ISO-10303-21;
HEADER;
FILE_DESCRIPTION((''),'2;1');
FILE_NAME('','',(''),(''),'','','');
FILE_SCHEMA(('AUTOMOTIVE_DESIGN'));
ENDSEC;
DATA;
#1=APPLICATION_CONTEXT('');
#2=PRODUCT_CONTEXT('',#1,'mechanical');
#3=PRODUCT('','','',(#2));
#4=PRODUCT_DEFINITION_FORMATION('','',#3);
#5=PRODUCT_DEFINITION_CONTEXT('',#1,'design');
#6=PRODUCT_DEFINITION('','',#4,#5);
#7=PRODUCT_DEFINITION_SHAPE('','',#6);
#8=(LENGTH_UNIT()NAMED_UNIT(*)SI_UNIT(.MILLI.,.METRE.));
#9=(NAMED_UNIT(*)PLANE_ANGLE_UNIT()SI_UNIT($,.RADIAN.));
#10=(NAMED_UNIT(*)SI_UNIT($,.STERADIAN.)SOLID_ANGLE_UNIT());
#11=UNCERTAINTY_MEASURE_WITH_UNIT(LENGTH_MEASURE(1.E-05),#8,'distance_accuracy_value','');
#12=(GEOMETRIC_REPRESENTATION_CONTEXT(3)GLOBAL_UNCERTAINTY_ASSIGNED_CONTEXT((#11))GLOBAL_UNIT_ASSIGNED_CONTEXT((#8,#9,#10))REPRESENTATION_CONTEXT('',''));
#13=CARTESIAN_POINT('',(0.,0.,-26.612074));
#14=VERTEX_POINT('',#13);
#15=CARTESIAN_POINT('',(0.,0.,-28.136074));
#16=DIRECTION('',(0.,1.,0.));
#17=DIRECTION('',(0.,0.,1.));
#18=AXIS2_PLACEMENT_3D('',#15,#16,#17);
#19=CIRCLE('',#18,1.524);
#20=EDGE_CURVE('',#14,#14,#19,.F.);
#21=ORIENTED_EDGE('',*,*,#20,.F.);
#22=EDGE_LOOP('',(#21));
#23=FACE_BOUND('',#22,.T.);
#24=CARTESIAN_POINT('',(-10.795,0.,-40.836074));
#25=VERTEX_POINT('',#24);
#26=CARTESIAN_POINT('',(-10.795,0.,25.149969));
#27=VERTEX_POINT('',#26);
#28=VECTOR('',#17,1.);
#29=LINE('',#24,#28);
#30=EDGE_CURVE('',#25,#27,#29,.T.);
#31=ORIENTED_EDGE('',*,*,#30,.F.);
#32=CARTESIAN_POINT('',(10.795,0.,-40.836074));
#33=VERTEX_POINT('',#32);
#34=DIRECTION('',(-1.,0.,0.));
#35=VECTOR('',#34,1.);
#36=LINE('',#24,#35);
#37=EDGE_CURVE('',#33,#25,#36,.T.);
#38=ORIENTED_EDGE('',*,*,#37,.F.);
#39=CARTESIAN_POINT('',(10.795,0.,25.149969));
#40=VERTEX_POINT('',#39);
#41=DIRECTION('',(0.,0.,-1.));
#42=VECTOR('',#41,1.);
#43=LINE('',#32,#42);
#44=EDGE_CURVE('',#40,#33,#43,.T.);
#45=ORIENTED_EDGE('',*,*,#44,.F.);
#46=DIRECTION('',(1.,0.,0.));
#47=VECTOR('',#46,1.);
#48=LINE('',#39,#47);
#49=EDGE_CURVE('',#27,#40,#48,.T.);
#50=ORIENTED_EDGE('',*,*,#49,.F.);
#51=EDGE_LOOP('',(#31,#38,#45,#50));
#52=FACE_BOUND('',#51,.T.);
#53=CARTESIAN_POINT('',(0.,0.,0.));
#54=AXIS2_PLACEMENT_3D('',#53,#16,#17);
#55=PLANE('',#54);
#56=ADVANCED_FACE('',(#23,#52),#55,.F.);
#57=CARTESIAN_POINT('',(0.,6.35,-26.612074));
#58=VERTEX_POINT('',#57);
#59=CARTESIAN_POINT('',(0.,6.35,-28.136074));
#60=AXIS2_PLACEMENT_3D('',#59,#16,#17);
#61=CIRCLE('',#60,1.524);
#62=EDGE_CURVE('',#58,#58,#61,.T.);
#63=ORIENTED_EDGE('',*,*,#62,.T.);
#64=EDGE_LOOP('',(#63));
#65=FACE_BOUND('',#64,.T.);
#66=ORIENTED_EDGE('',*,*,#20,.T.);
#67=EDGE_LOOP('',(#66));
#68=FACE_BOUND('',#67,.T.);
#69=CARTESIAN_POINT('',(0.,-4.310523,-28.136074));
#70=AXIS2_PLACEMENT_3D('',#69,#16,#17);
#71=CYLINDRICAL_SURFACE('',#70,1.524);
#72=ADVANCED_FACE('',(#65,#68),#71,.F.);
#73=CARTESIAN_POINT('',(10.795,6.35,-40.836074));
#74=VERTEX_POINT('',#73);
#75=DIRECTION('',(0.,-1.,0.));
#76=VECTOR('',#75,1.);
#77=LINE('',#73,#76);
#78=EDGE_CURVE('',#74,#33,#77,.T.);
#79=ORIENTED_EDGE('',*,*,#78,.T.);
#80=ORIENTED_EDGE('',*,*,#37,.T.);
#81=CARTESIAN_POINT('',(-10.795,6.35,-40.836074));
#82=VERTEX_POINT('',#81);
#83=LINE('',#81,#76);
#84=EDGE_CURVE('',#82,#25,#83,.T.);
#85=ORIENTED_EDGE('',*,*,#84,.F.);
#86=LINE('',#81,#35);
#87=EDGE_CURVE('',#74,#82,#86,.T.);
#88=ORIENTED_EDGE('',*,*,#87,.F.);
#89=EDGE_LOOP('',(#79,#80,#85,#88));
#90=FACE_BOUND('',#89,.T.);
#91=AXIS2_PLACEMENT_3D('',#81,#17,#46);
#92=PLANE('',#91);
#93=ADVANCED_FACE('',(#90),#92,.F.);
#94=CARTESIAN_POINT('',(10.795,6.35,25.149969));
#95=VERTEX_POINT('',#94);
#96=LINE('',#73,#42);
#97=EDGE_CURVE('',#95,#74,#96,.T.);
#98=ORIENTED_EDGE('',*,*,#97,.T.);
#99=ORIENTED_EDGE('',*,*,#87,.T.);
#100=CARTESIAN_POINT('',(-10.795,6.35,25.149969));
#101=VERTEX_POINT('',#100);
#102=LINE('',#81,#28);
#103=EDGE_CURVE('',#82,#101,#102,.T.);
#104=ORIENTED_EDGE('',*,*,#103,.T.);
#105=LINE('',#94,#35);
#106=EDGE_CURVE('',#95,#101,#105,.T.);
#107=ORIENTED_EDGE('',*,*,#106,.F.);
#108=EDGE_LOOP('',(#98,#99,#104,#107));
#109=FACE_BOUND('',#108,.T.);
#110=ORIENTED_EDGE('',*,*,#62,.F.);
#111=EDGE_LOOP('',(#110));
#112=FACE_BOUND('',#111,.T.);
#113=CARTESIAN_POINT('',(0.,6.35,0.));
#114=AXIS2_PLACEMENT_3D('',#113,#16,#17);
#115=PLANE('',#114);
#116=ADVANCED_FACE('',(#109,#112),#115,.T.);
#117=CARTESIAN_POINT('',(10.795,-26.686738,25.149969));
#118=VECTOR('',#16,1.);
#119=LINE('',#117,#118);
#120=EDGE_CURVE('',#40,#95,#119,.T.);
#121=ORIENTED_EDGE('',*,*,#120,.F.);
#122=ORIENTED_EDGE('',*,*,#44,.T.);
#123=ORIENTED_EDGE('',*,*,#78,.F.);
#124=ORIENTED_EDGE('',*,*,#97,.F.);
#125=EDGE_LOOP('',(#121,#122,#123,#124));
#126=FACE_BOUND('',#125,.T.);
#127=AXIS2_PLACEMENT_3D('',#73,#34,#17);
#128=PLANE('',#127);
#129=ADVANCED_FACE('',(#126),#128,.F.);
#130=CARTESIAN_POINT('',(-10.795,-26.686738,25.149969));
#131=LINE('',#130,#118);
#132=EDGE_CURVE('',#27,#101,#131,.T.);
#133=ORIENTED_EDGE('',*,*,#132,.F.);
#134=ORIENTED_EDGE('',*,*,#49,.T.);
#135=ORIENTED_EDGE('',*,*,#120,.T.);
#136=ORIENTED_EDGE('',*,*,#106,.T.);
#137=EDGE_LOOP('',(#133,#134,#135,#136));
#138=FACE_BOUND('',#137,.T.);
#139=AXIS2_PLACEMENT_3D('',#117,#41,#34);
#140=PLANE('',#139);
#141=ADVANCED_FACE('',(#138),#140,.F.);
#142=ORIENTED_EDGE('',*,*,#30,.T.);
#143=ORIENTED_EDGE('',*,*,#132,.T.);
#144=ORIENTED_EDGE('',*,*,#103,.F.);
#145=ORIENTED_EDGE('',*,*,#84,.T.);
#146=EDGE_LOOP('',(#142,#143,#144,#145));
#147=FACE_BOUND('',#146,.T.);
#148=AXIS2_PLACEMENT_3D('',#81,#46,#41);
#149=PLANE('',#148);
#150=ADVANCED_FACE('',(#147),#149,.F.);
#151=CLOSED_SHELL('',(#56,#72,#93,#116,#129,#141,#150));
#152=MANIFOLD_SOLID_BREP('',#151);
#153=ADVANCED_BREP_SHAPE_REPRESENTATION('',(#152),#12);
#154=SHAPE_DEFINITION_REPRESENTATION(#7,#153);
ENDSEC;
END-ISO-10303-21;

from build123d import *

# Parameters (mm, degrees)
SKETCH1_W           = 21.59
SKETCH1_H           = 81.67214734
BOSS_EXTRUDE1_DEPTH = 6.35
SKETCH2_W           = 21.59
SKETCH2_H           = 15.68610503
CUT_EXTRUDE1_DEPTH  = 6.35
SKETCH3_R           = 1.524
CUT_EXTRUDE2_DEPTH  = 6.35


with BuildPart() as part:
    # Sketch1 → Boss-Extrude1 (new body)
    with BuildSketch(Plane(origin=(0, 0, 0), x_dir=(1, 0, 0), z_dir=(0, 1, 0))):
        Rectangle(SKETCH1_W, SKETCH1_H)
    extrude(amount=BOSS_EXTRUDE1_DEPTH)

    # Sketch2 → Cut-Extrude1 (cut)
    with BuildSketch(Plane(origin=(0, 6.35, 0), x_dir=(1, 0, 0), z_dir=(0, 1, 0))):
        with Locations((0, -32.993021155)):
            Rectangle(SKETCH2_W, SKETCH2_H)
    extrude(amount=-CUT_EXTRUDE1_DEPTH, mode=Mode.SUBTRACT)

    # Sketch3 → Cut-Extrude2 (cut)
    with BuildSketch(Plane(origin=(0, 6.35, 0), x_dir=(1, 0, 0), z_dir=(0, 1, 0))):
        with Locations(Location((0, 28.13607367, 0), (0, 0, 270))):
            Circle(SKETCH3_R)
    extrude(amount=-CUT_EXTRUDE2_DEPTH, mode=Mode.SUBTRACT)


solid = part.part
